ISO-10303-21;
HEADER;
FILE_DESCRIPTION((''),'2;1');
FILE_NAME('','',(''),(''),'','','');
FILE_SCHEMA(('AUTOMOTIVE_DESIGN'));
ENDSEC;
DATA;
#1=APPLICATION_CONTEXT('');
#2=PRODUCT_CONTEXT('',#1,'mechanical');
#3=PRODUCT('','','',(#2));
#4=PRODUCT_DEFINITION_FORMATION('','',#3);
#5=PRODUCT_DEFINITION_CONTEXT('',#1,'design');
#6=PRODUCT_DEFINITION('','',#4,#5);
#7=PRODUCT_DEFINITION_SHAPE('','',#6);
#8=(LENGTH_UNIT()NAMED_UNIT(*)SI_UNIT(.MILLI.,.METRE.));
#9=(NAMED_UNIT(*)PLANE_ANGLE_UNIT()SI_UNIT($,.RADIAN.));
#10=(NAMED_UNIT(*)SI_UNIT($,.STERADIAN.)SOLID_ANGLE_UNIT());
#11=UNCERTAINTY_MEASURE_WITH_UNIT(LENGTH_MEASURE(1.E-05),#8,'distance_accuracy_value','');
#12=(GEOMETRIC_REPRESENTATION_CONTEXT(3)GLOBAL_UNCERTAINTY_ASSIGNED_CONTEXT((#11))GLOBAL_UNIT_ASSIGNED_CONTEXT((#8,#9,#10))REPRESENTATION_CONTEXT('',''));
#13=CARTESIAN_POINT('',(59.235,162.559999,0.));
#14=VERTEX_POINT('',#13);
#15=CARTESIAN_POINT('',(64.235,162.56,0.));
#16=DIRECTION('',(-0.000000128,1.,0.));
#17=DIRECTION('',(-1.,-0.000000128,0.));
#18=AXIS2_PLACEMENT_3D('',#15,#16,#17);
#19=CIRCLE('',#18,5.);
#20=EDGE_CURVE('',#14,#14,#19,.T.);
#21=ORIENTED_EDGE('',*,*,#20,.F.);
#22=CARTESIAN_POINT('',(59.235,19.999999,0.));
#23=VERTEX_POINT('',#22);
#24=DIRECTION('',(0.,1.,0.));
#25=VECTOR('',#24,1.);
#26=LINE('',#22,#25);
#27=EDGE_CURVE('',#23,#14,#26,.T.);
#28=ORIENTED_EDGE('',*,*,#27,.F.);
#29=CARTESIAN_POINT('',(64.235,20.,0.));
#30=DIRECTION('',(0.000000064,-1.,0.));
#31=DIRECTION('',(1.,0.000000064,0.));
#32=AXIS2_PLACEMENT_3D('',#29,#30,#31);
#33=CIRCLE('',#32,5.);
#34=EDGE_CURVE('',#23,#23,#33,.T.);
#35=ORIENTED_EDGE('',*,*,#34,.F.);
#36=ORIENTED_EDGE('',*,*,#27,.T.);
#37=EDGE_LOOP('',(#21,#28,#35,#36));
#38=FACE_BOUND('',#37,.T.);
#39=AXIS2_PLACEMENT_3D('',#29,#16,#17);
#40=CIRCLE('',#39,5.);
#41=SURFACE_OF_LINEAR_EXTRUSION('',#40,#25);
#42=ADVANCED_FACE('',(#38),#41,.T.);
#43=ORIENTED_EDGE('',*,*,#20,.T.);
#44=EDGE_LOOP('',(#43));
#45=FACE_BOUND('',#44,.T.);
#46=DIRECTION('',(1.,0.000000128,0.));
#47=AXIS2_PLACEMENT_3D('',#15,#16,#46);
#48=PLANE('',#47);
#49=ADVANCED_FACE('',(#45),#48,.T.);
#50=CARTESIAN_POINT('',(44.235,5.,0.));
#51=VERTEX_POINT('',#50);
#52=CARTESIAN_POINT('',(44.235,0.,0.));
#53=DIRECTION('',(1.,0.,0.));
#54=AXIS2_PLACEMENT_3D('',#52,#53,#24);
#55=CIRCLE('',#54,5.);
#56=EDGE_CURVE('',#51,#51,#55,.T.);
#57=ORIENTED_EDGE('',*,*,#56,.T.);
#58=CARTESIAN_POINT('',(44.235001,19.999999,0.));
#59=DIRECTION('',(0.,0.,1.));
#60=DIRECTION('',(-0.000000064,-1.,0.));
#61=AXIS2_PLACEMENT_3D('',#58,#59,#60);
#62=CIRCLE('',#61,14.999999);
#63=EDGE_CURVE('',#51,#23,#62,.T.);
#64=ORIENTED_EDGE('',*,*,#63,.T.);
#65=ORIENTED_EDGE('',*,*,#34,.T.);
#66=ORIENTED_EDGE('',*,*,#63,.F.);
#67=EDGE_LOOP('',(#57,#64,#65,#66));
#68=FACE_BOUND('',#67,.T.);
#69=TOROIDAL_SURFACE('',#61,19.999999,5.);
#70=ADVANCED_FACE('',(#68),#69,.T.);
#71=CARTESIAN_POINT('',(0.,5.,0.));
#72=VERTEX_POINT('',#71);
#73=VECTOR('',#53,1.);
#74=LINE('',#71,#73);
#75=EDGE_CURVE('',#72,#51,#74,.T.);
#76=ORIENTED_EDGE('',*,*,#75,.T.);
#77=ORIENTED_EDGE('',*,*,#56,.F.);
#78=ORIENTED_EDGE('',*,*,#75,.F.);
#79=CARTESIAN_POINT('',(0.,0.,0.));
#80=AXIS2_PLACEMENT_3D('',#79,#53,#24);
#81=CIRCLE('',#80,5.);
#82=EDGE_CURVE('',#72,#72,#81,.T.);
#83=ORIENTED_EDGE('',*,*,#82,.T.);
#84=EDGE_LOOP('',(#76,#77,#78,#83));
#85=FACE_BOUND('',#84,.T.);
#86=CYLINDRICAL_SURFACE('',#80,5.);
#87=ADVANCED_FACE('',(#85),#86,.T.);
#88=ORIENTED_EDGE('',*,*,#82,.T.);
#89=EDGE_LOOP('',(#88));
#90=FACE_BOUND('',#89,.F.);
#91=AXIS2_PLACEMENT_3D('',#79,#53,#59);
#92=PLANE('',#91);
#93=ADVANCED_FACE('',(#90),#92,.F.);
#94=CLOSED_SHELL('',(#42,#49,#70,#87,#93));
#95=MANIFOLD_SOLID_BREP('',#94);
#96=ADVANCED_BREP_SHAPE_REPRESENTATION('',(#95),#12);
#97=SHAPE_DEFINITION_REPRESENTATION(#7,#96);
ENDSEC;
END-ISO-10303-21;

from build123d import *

# Parameters (mm, degrees)
F1_R = 5


with BuildPart() as f2:
    # F2: sweep along a path in F0
    with BuildLine(Plane.XY) as f2_path:
        Line((0, 0), (44.235, 0))
        ThreePointArc((44.235, 0), (58.377136, 5.857864), (64.235, 20))
        Line((64.235, 20), (64.235, 162.56))
    # F1 (on Right) → F2 (sweep)
    with BuildSketch(Plane.YZ):
        Circle(F1_R)
    sweep(path=f2_path.line)


solid = f2.part
